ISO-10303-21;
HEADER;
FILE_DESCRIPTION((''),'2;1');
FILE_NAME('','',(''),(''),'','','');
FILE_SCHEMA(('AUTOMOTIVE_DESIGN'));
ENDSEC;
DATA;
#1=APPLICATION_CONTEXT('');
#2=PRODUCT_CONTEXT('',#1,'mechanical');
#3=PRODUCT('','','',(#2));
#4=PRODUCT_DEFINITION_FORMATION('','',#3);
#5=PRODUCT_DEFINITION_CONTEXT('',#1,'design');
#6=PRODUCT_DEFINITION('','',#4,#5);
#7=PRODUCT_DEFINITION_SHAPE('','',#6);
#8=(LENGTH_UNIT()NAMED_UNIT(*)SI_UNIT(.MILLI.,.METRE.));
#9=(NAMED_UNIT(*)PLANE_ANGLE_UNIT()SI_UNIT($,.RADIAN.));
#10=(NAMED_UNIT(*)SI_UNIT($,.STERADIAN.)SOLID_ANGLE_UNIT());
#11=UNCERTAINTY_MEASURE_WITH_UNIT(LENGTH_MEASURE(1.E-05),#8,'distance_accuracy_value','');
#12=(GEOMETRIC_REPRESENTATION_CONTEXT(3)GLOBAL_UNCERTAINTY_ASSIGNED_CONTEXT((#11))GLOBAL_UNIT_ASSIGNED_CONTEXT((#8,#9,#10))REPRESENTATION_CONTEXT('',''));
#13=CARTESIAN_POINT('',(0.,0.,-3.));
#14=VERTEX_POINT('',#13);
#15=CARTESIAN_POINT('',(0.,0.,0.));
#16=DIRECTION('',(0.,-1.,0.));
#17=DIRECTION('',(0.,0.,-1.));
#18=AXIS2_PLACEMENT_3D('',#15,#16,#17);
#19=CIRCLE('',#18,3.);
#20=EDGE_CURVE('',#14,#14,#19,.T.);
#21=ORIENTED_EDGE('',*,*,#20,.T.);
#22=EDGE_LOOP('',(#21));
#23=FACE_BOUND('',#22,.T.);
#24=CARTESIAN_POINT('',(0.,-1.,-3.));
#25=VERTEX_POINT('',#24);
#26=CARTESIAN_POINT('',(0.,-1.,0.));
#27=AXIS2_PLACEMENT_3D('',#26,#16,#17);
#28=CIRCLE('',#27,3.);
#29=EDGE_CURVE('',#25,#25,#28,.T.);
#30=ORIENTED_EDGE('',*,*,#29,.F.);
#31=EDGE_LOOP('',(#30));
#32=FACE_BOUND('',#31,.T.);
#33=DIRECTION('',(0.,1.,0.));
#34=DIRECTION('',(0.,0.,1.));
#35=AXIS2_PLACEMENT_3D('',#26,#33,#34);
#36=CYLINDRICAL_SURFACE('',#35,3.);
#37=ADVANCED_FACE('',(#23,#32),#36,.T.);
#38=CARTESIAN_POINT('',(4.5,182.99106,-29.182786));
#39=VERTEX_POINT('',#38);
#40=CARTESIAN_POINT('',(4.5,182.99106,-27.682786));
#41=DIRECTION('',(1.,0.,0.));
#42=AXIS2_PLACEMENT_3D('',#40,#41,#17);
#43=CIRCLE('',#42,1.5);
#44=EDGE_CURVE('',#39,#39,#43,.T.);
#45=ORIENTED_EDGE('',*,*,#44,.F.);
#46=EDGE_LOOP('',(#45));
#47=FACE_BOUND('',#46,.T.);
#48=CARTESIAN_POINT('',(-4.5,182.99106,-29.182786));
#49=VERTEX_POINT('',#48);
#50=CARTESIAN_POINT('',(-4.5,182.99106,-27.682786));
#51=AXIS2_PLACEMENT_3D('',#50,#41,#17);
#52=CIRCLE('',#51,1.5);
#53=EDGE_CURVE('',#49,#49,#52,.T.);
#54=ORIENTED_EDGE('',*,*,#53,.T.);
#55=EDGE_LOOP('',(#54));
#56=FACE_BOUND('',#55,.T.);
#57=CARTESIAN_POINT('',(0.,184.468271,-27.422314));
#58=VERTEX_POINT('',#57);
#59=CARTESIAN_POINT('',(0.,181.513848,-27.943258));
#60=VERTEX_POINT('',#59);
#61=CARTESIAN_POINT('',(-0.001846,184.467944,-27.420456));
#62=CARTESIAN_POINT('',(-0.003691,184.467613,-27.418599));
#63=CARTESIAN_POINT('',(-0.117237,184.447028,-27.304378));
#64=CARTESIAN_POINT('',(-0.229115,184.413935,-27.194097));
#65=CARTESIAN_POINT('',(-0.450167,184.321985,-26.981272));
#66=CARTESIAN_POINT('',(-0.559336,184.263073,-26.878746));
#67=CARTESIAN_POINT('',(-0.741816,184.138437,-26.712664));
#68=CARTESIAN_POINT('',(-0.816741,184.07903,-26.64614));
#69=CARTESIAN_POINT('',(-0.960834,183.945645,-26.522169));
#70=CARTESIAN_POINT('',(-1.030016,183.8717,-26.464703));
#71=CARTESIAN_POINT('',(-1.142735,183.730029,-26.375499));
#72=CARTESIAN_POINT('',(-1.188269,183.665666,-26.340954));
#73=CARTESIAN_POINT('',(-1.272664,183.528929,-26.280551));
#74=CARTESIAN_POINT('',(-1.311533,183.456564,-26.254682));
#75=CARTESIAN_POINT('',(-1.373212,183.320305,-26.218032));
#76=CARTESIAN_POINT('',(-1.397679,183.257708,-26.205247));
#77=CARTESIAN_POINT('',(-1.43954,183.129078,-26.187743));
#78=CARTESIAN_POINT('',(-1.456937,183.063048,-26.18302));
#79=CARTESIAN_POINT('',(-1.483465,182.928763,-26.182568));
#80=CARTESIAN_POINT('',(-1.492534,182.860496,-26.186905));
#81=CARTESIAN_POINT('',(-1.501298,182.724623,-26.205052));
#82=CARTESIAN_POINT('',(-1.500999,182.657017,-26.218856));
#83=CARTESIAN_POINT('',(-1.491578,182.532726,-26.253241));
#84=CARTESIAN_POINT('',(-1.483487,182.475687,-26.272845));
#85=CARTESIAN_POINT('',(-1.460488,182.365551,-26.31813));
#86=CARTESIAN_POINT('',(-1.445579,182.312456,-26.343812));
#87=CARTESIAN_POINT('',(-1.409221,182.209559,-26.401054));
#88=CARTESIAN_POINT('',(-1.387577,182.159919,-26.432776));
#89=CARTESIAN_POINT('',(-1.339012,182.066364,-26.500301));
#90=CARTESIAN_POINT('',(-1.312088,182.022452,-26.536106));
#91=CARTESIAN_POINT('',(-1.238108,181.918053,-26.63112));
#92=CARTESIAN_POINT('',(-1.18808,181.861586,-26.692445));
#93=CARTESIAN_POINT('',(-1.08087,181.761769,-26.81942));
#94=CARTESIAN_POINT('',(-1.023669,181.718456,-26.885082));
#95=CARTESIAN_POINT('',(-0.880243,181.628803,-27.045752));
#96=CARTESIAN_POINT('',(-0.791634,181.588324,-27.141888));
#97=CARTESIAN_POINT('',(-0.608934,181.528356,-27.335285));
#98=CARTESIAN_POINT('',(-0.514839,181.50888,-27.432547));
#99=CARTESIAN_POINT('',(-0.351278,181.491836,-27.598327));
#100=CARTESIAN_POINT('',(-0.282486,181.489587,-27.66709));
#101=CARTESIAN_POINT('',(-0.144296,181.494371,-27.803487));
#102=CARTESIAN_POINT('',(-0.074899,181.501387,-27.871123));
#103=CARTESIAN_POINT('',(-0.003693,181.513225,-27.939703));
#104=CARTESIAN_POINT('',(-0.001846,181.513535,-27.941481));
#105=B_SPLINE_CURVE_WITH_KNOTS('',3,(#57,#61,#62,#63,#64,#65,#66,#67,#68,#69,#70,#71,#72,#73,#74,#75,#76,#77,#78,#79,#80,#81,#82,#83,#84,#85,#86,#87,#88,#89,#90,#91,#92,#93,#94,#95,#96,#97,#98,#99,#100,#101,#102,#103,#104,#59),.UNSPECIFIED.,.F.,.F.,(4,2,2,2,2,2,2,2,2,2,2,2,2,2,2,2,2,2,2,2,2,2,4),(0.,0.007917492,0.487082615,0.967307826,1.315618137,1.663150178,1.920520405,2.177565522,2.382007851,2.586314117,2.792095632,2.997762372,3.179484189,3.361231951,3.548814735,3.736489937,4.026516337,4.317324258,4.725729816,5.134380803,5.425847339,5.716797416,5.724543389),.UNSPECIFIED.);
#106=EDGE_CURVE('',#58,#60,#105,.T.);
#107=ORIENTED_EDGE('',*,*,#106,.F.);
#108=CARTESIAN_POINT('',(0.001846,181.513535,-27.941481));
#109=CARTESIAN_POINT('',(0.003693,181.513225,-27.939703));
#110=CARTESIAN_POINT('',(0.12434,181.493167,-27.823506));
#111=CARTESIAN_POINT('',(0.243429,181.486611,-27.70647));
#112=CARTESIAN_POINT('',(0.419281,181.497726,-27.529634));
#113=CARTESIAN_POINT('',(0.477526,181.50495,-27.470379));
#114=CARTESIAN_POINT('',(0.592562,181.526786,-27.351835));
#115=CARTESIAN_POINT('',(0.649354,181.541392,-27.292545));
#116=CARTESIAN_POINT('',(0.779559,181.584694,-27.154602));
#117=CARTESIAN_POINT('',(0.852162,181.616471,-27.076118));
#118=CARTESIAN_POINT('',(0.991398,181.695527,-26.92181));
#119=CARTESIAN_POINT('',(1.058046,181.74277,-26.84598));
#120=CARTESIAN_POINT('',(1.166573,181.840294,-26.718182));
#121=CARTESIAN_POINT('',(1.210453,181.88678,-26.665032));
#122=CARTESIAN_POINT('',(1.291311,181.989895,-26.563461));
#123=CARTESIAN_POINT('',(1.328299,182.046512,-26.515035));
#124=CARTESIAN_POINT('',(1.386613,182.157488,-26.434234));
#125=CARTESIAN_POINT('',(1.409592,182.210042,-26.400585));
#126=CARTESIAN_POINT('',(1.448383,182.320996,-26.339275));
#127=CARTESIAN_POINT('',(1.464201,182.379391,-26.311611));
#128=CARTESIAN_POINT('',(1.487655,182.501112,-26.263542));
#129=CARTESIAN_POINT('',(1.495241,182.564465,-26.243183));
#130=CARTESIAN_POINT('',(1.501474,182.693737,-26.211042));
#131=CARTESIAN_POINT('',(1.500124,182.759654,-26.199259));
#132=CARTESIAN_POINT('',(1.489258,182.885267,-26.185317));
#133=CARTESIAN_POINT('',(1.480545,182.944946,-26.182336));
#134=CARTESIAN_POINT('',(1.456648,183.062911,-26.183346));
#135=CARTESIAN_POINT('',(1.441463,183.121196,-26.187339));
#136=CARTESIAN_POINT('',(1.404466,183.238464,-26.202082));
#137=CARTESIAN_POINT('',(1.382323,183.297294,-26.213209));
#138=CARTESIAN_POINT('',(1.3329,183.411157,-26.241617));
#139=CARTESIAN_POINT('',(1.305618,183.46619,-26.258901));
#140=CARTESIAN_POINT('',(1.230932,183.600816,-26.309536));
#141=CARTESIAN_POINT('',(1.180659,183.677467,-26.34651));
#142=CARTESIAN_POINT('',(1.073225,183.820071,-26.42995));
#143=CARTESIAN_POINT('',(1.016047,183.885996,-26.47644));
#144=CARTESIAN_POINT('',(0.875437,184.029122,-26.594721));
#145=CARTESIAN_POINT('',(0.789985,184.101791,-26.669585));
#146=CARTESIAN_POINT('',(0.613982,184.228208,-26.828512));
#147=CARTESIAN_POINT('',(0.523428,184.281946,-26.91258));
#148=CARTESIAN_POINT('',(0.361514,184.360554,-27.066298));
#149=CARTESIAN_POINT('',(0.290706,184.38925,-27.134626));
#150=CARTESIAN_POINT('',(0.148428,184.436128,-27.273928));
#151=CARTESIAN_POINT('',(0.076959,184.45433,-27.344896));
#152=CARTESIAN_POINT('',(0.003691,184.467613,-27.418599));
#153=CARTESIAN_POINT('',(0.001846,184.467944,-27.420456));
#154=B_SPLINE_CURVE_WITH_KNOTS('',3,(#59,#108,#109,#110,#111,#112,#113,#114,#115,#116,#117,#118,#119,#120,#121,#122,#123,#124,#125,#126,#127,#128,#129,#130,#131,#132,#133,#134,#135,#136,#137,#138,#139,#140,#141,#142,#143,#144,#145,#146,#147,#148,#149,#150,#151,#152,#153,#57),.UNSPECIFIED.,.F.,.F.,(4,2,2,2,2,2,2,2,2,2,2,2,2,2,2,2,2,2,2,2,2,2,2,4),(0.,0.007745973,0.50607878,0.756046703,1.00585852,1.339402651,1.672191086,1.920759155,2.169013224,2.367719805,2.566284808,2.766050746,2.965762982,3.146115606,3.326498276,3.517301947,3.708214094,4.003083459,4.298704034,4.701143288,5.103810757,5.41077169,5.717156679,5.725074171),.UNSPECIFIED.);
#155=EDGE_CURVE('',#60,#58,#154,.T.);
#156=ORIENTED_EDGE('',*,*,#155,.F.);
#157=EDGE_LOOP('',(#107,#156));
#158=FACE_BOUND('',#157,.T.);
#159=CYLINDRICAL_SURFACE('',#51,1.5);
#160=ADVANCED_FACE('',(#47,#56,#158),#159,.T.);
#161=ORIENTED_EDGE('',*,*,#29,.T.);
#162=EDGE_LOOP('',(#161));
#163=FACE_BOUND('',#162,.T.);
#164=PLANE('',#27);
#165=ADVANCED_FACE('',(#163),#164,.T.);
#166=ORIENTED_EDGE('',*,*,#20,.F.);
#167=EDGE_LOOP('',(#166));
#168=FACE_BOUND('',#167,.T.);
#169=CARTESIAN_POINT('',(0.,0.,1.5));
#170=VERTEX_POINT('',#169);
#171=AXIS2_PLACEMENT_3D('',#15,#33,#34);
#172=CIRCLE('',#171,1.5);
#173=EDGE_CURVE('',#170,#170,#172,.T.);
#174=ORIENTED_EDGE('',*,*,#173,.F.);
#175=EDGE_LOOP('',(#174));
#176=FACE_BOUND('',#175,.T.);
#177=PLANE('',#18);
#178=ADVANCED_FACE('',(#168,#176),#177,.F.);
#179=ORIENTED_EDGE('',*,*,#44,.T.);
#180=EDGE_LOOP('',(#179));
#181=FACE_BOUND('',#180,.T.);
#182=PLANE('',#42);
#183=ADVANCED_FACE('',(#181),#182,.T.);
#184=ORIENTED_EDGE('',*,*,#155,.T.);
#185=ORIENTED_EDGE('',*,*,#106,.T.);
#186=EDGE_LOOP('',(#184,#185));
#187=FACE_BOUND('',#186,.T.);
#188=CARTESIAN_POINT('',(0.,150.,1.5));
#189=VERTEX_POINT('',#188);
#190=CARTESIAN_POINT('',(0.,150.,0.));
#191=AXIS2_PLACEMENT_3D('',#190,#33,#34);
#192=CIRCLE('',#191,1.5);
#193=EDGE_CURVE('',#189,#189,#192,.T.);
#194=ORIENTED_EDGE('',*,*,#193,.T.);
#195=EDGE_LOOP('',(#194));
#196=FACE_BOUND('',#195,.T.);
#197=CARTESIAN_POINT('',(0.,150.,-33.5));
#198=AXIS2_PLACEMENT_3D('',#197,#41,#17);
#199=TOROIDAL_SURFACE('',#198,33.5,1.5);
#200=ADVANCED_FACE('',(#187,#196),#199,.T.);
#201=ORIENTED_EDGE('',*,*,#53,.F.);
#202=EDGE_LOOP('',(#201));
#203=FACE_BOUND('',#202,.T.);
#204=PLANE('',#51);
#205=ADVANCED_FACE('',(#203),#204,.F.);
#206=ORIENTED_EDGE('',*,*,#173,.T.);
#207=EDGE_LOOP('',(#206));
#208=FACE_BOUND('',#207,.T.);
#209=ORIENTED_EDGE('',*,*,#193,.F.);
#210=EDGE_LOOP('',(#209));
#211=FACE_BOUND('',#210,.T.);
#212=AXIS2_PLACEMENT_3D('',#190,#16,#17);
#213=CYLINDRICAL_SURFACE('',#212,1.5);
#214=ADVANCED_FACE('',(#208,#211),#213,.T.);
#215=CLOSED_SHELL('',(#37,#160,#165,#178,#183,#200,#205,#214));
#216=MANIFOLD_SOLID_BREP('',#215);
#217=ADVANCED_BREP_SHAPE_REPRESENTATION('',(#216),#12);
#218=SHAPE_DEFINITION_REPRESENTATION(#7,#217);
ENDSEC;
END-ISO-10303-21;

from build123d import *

# Parameters (mm, degrees)
SKETCH1_R                = 1.5
BOSS_EXTRUDE1_DEPTH      = 150
SKETCH4_R                = 3
BOSS_EXTRUDE4_DEPTH      = 1
SKETCH7_R                = 1.5
REVOLVE1_ANGLE           = 80
BOSS_EXTRUDE5_DEPTH      = 4.5
BOSS_EXTRUDE5_DEPTH_BACK = 4.5
SKETCH8_R                = 1.5


with BuildPart() as part:
    # Sketch1 → Boss-Extrude1 (new body)
    with BuildSketch(Plane(origin=(0, 0, 0), x_dir=(1, 0, 0), z_dir=(0, 1, 0))):
        Circle(SKETCH1_R)
    extrude(amount=BOSS_EXTRUDE1_DEPTH)

    # Sketch4 → Boss-Extrude4 (add)
    with BuildSketch(Plane.XZ):
        Circle(SKETCH4_R)
    extrude(amount=BOSS_EXTRUDE4_DEPTH)

    # Sketch7 → Revolve1 (revolve)
    with BuildSketch(Plane(origin=(0, 150, 0), x_dir=(1, 0, 0), z_dir=(0, 1, 0))):
        Circle(SKETCH7_R)
    revolve(axis=Axis((-42.510122648, 150, -33.5), (-1, 0, 0)), revolution_arc=REVOLVE1_ANGLE)

    # Sketch8 → Boss-Extrude5 (add, two sides: drawn at the far end of the back side and taken through both)
    with BuildSketch(Plane(origin=(0, 0, 0), x_dir=(0, 0, -1), z_dir=(1, 0, 0)).offset(-BOSS_EXTRUDE5_DEPTH_BACK)):
        with Locations((27.682786048, 182.991059726)):
            Circle(SKETCH8_R)
    extrude(amount=BOSS_EXTRUDE5_DEPTH + BOSS_EXTRUDE5_DEPTH_BACK)


solid = part.part
